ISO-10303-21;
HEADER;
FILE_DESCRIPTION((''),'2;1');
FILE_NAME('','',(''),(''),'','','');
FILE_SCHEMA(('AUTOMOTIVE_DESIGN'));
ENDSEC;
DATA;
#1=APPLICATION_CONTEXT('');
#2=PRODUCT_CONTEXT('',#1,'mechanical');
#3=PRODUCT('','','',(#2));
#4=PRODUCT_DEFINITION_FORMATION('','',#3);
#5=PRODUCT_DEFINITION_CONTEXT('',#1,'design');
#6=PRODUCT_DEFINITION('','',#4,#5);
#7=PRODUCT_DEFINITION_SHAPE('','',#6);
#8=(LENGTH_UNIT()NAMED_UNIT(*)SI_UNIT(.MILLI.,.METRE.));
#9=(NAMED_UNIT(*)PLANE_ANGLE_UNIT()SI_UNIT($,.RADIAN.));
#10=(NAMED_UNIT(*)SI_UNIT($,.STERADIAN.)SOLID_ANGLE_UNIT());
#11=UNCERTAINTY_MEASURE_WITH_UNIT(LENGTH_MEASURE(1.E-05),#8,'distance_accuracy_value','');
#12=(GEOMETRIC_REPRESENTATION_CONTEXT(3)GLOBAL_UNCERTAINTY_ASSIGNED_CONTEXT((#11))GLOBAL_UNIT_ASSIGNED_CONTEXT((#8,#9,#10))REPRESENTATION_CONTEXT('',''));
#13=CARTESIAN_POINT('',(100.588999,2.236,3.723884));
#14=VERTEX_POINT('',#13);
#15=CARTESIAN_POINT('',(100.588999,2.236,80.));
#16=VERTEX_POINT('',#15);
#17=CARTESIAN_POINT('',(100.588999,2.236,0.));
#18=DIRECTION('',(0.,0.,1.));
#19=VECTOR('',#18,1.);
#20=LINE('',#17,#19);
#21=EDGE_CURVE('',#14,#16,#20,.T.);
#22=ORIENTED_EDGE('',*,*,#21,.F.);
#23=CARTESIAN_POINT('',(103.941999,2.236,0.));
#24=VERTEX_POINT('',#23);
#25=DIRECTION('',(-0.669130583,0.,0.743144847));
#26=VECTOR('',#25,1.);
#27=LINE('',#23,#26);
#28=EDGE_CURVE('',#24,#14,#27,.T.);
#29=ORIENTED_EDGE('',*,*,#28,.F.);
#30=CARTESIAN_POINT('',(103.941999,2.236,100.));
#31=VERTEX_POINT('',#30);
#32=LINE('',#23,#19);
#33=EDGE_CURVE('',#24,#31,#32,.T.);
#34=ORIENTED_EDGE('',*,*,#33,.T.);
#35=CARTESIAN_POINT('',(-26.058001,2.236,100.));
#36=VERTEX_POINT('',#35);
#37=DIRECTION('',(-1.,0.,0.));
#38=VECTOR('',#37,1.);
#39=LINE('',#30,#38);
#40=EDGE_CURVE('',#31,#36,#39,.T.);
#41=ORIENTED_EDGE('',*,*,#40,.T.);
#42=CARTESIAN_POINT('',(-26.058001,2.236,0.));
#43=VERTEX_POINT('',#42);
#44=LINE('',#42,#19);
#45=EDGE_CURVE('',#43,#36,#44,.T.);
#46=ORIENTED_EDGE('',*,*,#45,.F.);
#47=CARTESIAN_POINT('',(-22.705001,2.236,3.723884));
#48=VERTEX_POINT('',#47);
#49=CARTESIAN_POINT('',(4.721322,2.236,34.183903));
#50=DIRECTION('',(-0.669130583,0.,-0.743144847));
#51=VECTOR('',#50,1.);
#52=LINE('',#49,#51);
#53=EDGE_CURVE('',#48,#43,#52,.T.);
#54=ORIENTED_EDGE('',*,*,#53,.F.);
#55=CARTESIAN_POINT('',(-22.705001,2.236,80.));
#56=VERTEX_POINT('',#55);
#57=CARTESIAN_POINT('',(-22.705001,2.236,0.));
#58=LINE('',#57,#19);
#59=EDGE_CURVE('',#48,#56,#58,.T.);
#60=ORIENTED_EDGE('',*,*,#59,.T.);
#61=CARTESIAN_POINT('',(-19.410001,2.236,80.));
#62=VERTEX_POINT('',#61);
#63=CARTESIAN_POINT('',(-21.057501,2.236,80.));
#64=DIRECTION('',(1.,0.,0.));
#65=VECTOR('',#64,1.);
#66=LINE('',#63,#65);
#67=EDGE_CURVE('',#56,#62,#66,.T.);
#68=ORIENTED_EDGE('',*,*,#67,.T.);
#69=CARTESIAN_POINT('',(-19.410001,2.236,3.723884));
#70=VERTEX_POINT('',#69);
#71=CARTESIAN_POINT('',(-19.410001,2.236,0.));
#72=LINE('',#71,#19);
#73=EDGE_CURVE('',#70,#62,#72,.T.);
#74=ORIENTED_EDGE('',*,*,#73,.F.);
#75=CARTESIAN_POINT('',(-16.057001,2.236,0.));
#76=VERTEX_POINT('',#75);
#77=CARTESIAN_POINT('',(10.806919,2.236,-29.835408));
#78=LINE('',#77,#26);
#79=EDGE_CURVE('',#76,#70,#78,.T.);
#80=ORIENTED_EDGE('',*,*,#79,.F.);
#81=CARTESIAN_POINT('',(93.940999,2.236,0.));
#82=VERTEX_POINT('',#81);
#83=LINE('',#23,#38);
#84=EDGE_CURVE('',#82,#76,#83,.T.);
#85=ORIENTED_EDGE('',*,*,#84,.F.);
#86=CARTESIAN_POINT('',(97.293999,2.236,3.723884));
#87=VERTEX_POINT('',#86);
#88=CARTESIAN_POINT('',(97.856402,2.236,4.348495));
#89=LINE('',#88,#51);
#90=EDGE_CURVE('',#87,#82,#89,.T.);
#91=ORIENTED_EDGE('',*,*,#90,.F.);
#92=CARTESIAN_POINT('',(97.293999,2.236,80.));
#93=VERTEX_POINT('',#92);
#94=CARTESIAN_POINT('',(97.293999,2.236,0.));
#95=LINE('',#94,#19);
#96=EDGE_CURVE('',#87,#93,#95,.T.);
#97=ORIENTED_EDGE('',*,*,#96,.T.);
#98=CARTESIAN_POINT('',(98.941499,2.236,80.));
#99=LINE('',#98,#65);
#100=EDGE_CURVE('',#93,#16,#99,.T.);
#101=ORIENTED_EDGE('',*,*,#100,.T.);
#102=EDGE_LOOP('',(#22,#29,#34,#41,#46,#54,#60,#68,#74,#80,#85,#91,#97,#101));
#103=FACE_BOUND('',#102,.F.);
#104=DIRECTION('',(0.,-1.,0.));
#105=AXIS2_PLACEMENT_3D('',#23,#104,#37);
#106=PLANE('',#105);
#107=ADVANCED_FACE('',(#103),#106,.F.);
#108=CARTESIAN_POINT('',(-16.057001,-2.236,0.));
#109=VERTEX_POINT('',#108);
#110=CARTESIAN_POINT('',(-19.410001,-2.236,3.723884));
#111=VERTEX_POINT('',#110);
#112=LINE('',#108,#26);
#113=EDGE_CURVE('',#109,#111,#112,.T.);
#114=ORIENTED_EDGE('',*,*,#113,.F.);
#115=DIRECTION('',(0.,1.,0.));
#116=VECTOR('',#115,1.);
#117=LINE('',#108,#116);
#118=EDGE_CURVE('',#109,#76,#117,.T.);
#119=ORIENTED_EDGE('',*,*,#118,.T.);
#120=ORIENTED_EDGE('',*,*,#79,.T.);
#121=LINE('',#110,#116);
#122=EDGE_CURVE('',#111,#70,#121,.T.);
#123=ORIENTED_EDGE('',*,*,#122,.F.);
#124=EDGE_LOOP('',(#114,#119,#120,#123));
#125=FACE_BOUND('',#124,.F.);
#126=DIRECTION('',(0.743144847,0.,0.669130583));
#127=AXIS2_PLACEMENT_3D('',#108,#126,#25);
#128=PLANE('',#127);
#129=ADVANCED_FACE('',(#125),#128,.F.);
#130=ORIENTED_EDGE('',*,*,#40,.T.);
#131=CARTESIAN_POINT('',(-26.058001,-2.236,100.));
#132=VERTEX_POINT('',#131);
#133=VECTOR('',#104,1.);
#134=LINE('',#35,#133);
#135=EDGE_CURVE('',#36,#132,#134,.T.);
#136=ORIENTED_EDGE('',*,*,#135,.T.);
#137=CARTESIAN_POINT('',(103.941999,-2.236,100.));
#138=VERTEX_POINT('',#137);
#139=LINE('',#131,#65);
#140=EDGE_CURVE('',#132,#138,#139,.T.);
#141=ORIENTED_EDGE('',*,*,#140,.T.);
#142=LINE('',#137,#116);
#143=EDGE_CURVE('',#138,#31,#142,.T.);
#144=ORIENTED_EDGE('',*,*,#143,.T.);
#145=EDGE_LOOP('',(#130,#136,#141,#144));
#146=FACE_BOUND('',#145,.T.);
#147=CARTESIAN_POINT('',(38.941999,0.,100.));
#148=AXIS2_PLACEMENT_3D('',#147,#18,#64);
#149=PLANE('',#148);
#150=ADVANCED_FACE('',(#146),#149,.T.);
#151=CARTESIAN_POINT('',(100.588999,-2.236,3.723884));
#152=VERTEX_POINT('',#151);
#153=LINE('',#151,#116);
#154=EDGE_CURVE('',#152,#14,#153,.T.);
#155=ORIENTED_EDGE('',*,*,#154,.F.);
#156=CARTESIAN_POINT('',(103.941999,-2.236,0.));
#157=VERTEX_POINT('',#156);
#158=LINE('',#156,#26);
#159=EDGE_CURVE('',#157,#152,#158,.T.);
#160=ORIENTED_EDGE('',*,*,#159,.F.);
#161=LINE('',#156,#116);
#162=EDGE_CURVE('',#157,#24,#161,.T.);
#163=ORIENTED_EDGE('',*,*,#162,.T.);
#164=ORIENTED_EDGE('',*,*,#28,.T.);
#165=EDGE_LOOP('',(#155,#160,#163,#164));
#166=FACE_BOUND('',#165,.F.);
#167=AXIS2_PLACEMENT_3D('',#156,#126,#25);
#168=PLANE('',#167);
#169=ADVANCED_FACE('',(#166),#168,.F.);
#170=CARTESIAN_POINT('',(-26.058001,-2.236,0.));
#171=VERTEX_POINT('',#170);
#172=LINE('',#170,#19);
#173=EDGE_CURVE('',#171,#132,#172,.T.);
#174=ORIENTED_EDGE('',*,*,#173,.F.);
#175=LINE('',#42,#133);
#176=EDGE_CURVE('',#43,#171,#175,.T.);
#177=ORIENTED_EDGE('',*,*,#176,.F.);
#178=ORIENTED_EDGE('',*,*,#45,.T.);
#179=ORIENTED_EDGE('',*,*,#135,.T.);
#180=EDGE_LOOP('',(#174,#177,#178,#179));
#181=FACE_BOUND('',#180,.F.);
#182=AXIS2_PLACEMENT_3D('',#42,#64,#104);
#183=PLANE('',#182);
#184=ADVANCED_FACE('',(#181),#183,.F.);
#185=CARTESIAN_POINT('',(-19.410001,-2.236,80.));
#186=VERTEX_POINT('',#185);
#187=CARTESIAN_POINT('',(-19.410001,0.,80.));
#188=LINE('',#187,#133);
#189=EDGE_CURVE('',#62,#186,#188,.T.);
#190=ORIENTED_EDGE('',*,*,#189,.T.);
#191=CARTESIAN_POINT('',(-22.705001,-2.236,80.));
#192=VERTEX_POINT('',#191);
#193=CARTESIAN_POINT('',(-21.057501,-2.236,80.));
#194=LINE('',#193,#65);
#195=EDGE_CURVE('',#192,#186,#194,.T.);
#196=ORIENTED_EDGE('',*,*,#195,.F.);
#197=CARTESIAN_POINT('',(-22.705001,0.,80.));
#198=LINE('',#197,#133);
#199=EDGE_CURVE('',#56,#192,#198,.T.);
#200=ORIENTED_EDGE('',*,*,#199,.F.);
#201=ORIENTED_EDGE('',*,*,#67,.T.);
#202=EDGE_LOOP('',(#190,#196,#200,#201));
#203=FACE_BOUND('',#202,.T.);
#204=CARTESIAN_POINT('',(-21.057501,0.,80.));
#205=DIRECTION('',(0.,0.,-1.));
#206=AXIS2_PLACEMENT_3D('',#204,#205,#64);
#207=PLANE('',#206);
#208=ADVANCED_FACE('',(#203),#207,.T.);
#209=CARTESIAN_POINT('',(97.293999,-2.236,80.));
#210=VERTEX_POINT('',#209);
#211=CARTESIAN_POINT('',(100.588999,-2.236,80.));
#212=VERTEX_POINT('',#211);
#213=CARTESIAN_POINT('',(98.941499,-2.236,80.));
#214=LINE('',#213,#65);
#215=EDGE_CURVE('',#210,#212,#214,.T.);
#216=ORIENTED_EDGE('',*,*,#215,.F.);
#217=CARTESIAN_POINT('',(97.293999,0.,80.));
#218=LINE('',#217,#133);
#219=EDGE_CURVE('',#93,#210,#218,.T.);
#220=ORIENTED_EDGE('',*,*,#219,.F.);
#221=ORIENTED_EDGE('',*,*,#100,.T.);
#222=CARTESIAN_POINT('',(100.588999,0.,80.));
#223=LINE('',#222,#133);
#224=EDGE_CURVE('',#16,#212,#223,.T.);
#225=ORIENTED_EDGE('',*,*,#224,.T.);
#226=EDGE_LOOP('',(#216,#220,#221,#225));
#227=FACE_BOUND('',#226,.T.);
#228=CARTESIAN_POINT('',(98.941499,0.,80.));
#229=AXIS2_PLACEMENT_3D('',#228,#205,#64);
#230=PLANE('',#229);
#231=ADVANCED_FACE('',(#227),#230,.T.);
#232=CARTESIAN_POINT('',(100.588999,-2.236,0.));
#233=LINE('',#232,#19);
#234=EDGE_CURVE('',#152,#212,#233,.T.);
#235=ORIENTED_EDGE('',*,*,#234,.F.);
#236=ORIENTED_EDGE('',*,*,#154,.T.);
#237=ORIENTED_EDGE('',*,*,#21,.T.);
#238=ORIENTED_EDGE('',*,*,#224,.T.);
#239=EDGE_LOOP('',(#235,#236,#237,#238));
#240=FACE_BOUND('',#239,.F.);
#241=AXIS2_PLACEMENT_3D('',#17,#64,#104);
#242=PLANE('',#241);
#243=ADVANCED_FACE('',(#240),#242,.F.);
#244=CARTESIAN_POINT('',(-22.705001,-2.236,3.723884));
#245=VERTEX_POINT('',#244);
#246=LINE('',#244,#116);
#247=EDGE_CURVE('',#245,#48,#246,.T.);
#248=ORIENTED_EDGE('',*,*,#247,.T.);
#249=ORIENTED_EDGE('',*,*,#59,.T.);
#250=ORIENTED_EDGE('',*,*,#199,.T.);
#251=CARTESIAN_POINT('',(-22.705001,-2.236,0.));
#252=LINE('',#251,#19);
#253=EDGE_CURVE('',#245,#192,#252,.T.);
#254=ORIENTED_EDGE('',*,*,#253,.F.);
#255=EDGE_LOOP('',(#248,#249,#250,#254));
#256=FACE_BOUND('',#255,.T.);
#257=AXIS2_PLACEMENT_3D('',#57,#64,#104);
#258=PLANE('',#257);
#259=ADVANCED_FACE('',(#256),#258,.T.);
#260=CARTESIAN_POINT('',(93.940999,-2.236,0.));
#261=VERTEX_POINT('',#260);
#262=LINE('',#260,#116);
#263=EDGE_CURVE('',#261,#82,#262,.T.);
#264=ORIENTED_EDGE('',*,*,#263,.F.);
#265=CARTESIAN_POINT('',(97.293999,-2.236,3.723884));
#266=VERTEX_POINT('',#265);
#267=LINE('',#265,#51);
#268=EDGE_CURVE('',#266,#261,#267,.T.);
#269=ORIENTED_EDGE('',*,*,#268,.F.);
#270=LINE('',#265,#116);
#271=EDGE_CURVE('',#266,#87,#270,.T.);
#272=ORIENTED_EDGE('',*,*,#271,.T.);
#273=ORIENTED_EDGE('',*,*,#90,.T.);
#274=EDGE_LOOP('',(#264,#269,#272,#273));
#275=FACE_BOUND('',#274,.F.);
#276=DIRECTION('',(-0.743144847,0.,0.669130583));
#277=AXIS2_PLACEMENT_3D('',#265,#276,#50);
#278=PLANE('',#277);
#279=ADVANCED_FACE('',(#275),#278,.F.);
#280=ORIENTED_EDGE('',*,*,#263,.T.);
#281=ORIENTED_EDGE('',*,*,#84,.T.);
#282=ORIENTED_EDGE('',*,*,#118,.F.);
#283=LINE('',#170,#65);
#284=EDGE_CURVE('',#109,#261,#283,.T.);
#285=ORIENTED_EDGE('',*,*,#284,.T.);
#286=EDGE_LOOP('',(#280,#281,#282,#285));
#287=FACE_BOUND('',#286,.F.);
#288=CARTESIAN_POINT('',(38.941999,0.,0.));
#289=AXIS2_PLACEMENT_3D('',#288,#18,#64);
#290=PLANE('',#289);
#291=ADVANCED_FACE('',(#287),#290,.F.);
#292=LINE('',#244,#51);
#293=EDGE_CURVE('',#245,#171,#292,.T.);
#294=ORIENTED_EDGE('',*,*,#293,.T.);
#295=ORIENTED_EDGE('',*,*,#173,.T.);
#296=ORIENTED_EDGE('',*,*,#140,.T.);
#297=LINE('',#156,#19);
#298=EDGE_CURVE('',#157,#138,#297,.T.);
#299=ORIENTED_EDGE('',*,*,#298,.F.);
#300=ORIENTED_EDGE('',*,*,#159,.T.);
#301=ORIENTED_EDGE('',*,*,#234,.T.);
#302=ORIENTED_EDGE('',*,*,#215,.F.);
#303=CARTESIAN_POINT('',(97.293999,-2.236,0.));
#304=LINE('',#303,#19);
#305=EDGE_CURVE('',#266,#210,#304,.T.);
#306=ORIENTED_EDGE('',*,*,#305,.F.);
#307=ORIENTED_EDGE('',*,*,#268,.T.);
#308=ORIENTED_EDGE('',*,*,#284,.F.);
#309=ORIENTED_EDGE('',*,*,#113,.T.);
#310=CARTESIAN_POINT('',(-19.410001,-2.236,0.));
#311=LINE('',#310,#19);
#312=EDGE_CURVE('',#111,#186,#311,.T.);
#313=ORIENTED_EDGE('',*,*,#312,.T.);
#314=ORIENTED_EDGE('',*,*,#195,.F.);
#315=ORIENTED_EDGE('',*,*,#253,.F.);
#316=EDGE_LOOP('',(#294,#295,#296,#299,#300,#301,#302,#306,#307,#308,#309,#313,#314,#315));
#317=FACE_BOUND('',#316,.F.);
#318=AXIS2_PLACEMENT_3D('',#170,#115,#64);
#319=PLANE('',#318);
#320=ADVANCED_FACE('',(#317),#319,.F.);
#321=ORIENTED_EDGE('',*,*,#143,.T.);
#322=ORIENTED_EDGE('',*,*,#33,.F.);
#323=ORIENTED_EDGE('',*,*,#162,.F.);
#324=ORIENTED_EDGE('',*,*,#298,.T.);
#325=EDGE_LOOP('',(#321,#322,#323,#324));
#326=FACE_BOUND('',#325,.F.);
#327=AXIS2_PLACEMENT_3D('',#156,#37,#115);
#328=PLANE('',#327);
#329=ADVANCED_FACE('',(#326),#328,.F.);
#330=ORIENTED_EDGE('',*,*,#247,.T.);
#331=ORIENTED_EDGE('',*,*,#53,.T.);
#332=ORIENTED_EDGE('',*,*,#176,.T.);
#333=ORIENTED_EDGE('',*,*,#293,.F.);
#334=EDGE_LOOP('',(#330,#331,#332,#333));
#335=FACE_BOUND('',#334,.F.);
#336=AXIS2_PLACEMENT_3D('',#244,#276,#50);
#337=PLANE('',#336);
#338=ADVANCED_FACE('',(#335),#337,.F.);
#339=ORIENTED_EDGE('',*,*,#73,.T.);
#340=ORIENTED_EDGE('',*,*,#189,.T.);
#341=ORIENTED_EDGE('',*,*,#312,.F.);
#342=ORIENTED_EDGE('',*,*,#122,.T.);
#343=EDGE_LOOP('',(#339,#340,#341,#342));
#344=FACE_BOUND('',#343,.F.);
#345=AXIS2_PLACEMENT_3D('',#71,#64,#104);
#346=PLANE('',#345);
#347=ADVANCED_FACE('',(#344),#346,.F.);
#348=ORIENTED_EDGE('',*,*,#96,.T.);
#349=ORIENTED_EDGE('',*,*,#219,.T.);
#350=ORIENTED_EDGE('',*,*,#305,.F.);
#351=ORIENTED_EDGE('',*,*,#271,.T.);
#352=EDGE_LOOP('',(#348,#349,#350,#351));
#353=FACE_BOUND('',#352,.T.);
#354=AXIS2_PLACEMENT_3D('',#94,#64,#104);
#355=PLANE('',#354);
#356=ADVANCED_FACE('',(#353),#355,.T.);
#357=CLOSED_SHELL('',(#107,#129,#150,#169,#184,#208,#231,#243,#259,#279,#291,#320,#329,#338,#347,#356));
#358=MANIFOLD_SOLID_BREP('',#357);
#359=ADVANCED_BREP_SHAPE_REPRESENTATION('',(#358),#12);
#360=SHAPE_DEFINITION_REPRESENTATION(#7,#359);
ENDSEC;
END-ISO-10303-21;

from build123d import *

# Parameters (mm, degrees)
F1_DEPTH = 100
F2_W     = 3.295
F2_H     = 4.472
F3_DEPTH = 80
F4_W     = 3.295
F4_H     = 4.472
F5_DEPTH = 80
F7_DEPTH = 25
F9_DEPTH = 25


with BuildPart() as f1:
    # F0 (on Top) → F1 (new body)
    with BuildSketch(Plane.XY):
        Polygon((103.941999, 2.236), (-26.058001, 2.236), (-26.058001, 0), (-26.058001, -2.236), (103.941999, -2.236), (103.941999, 0), align=None)
    extrude(amount=F1_DEPTH)

    # F2 (on face) → F3 (cut)
    with BuildSketch(Plane(origin=(0, 0, 0), x_dir=(1, 0, 0), z_dir=(0, 0, -1))):
        with Locations((-21.057501, 0)):
            Rectangle(F2_W, F2_H)
    extrude(amount=-F3_DEPTH, mode=Mode.SUBTRACT)

    # F4 (on face) → F5 (cut)
    with BuildSketch(Plane(origin=(0, 0, 0), x_dir=(1, 0, 0), z_dir=(0, 0, -1))):
        with Locations((98.941499, 0)):
            Rectangle(F4_W, F4_H)
    extrude(amount=-F5_DEPTH, mode=Mode.SUBTRACT)

    # F6 (on face) → F7 (cut)
    with BuildSketch(Plane.XZ.offset(2.236)):
        Polygon((-22.705001, 3.723884), (-26.058001, 0), (-22.705001, 0), align=None)
        Polygon((-16.057001, 0), (-19.410001, 3.723884), (-19.410001, 0), align=None)
    extrude(amount=-F7_DEPTH, mode=Mode.SUBTRACT)

    # F8 (on face) → F9 (cut)
    with BuildSketch(Plane.XZ.offset(2.236)):
        Polygon((97.293999, 0), (97.293999, 3.723884), (93.940999, 0), align=None)
        Polygon((100.588999, 0), (103.941999, 0), (100.588999, 3.723884), align=None)
    extrude(amount=-F9_DEPTH, mode=Mode.SUBTRACT)


solid = f1.part
